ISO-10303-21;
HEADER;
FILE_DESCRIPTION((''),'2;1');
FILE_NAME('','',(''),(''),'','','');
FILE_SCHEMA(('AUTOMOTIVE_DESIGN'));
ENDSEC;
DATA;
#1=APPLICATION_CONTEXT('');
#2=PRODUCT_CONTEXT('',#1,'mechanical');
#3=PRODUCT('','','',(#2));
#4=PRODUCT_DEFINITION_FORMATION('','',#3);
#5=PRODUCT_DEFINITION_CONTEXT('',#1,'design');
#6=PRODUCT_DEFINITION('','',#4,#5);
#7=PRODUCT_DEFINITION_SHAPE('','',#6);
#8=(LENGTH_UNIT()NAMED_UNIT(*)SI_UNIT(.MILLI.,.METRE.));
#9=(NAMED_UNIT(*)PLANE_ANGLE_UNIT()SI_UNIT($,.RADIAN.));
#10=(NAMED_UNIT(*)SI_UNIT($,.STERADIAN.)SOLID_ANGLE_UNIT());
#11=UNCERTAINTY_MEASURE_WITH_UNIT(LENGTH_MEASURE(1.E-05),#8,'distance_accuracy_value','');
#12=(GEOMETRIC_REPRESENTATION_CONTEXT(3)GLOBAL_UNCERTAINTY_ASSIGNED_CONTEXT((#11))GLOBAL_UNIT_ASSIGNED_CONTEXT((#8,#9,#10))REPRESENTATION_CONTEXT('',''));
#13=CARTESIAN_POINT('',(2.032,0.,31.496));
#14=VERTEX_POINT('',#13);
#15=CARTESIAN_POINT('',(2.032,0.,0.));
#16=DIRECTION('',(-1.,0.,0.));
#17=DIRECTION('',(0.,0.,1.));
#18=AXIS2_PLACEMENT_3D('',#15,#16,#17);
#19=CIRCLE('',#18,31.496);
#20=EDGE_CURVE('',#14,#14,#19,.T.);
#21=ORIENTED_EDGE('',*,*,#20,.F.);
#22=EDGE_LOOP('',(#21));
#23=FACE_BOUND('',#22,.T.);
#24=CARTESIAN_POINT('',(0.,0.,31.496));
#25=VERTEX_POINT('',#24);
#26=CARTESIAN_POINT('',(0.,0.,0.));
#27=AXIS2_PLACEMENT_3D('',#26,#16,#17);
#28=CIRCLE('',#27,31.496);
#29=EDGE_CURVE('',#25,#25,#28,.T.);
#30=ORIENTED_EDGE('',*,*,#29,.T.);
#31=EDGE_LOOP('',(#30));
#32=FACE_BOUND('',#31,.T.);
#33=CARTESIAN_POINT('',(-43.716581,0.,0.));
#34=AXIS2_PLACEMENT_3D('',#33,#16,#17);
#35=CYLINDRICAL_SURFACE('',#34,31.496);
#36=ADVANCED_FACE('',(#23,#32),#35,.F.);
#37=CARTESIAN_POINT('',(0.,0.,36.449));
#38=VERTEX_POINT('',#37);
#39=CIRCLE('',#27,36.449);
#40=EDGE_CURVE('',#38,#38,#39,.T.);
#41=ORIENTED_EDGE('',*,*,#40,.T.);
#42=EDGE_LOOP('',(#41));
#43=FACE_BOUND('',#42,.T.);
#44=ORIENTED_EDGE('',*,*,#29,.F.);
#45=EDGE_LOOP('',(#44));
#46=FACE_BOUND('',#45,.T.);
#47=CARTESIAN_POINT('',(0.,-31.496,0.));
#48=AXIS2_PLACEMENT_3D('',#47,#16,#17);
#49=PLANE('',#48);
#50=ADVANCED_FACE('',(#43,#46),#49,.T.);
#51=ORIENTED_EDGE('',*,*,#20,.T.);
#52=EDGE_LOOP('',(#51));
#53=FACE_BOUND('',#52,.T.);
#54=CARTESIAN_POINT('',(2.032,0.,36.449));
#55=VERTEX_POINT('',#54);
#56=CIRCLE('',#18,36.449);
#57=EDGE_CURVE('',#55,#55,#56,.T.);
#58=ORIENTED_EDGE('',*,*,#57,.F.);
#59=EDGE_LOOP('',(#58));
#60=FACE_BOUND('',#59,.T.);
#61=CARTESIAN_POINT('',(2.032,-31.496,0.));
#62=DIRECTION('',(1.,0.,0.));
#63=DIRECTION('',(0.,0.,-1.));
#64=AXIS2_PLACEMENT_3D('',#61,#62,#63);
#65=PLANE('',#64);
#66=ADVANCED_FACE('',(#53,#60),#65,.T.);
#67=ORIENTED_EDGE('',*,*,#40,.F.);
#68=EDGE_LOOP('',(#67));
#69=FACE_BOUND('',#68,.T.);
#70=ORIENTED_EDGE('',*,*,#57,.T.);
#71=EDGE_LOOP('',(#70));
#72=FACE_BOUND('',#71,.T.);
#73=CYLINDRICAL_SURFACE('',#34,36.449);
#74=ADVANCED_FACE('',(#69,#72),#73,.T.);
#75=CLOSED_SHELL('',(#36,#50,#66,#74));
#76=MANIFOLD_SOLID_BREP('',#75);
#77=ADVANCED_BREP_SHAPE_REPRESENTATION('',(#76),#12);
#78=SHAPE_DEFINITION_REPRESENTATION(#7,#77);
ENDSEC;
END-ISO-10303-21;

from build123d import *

# Parameters (mm, degrees)
SKETCH1_W = 2.032
SKETCH1_H = 4.953


with BuildPart() as part:
    # Sketch1 → Revolve1 (revolve)
    with BuildSketch(Plane.XY, mode=Mode.PRIVATE) as revolve1_sk:
        with Locations((1.016, -33.9725)):
            Rectangle(SKETCH1_W, SKETCH1_H)
    revolve(revolve1_sk.sketch.rotate(Axis((-43.716580756, 0, 0), (1, 0, 0)), 270), axis=Axis((-43.716580756, 0, 0), (1, 0, 0)))  # turned: the seam where the file's is


solid = part.part
